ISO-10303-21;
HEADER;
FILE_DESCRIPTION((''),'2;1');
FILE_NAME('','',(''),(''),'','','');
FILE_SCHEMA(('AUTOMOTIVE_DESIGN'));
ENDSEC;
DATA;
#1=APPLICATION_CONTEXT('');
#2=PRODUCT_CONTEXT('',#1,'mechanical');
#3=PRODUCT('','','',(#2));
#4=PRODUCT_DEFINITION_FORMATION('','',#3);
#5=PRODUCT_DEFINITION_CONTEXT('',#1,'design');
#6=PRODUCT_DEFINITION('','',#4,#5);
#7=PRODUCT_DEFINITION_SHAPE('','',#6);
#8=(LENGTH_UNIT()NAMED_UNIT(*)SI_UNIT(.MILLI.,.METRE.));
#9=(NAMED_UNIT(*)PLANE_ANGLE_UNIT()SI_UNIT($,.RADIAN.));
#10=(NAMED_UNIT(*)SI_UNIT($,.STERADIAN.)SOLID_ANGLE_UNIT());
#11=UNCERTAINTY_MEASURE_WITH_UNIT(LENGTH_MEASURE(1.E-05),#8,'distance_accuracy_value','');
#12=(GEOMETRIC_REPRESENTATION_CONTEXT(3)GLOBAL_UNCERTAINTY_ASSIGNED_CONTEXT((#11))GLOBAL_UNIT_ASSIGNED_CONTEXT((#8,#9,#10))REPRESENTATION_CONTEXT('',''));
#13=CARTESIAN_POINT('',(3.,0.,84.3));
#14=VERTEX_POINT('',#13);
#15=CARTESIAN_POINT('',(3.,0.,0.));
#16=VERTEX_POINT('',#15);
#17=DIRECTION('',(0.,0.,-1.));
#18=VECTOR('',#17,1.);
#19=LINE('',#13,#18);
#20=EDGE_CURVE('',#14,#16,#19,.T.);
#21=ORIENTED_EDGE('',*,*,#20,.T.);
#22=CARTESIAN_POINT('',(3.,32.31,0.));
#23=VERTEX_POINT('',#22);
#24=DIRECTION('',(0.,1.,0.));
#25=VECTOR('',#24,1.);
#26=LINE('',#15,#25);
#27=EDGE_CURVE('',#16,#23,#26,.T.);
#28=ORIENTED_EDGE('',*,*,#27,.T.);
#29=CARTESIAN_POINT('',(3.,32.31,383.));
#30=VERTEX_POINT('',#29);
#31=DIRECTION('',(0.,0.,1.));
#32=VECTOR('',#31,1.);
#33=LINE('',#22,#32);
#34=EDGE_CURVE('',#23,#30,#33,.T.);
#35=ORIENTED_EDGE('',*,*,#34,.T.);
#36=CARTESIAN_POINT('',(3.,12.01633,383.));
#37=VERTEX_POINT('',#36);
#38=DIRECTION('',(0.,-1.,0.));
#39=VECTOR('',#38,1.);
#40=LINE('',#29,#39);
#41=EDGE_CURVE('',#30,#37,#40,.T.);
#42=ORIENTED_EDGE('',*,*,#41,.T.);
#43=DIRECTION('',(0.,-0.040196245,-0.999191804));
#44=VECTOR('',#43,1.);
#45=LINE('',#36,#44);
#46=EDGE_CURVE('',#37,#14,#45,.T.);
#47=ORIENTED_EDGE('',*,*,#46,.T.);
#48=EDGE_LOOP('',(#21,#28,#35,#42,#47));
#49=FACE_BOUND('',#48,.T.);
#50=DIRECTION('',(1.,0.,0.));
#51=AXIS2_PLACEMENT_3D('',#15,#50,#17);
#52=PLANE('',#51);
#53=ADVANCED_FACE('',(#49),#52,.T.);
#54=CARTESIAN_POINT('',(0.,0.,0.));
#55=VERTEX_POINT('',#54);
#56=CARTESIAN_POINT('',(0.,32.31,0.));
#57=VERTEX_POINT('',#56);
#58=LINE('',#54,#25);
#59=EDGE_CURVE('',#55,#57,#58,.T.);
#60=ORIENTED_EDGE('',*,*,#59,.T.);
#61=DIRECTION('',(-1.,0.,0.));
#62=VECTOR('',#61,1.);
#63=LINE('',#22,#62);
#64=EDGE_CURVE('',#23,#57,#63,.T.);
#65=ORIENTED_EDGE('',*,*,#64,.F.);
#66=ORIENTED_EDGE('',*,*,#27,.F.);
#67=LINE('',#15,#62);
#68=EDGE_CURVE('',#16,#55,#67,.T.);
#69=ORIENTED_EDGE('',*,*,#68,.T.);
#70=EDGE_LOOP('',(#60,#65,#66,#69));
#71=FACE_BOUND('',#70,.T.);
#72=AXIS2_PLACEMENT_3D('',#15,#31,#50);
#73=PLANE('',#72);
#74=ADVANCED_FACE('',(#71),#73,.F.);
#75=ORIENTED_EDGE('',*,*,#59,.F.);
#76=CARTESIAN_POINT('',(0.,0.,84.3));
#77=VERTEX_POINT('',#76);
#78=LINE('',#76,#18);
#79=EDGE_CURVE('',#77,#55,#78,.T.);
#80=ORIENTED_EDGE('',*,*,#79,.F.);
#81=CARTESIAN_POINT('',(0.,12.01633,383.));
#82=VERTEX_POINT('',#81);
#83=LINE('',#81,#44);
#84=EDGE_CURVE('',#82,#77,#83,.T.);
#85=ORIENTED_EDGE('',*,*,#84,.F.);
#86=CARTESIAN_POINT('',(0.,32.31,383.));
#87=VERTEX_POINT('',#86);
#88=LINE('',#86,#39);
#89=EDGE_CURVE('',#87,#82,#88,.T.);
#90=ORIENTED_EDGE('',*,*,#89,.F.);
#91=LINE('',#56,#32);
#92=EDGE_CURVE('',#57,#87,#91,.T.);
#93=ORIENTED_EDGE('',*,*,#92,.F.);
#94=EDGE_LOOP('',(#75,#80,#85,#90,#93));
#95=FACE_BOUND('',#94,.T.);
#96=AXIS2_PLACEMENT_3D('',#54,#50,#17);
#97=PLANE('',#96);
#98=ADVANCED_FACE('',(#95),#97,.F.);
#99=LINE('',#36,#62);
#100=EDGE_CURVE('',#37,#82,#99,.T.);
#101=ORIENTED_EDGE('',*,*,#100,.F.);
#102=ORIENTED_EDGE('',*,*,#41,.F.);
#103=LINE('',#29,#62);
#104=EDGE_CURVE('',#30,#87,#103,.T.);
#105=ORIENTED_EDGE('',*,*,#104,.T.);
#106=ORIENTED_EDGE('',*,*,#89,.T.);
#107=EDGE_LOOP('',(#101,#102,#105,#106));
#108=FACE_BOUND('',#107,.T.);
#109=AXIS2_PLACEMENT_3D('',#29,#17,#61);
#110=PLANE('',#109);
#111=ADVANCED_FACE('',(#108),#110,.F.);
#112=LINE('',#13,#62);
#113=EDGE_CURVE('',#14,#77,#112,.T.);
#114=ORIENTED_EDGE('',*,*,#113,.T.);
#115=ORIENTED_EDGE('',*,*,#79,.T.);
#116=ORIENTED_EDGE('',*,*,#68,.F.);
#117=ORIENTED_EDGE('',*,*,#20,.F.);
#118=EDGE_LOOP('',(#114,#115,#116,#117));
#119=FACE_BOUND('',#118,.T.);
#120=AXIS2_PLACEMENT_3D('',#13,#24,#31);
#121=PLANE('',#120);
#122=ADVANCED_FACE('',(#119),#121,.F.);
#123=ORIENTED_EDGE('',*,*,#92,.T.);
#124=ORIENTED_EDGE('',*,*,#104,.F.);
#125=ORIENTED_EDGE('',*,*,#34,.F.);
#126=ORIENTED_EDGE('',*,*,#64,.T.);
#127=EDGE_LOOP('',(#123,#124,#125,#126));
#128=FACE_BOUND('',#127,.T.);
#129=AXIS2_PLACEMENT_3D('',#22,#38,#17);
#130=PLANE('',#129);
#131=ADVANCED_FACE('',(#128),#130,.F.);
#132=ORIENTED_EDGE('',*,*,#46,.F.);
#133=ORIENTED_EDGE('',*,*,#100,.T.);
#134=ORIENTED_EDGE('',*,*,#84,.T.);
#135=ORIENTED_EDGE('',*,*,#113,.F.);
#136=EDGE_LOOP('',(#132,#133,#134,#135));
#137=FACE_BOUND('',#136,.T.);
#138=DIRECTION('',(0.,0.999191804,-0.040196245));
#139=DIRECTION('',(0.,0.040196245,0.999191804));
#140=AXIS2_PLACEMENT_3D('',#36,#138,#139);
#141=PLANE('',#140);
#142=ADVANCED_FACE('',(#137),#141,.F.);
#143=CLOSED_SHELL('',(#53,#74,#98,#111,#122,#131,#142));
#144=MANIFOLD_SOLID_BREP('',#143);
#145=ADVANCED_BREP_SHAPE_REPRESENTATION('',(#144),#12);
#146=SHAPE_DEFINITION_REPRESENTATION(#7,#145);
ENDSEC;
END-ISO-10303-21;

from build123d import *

# Parameters (mm, degrees)
BOSS_EXTRUDE1_DEPTH = 3


with BuildPart() as part:
    # Sketch1 → Boss-Extrude1 (new body)
    with BuildSketch(Plane(origin=(0, 0, 0), x_dir=(0, 0, -1), z_dir=(1, 0, 0))):
        Polygon((-383, 12.016330065), (-84.3, 0), (0, 0), (0, 32.31), (-383, 32.31), align=None)
    extrude(amount=BOSS_EXTRUDE1_DEPTH)


solid = part.part
